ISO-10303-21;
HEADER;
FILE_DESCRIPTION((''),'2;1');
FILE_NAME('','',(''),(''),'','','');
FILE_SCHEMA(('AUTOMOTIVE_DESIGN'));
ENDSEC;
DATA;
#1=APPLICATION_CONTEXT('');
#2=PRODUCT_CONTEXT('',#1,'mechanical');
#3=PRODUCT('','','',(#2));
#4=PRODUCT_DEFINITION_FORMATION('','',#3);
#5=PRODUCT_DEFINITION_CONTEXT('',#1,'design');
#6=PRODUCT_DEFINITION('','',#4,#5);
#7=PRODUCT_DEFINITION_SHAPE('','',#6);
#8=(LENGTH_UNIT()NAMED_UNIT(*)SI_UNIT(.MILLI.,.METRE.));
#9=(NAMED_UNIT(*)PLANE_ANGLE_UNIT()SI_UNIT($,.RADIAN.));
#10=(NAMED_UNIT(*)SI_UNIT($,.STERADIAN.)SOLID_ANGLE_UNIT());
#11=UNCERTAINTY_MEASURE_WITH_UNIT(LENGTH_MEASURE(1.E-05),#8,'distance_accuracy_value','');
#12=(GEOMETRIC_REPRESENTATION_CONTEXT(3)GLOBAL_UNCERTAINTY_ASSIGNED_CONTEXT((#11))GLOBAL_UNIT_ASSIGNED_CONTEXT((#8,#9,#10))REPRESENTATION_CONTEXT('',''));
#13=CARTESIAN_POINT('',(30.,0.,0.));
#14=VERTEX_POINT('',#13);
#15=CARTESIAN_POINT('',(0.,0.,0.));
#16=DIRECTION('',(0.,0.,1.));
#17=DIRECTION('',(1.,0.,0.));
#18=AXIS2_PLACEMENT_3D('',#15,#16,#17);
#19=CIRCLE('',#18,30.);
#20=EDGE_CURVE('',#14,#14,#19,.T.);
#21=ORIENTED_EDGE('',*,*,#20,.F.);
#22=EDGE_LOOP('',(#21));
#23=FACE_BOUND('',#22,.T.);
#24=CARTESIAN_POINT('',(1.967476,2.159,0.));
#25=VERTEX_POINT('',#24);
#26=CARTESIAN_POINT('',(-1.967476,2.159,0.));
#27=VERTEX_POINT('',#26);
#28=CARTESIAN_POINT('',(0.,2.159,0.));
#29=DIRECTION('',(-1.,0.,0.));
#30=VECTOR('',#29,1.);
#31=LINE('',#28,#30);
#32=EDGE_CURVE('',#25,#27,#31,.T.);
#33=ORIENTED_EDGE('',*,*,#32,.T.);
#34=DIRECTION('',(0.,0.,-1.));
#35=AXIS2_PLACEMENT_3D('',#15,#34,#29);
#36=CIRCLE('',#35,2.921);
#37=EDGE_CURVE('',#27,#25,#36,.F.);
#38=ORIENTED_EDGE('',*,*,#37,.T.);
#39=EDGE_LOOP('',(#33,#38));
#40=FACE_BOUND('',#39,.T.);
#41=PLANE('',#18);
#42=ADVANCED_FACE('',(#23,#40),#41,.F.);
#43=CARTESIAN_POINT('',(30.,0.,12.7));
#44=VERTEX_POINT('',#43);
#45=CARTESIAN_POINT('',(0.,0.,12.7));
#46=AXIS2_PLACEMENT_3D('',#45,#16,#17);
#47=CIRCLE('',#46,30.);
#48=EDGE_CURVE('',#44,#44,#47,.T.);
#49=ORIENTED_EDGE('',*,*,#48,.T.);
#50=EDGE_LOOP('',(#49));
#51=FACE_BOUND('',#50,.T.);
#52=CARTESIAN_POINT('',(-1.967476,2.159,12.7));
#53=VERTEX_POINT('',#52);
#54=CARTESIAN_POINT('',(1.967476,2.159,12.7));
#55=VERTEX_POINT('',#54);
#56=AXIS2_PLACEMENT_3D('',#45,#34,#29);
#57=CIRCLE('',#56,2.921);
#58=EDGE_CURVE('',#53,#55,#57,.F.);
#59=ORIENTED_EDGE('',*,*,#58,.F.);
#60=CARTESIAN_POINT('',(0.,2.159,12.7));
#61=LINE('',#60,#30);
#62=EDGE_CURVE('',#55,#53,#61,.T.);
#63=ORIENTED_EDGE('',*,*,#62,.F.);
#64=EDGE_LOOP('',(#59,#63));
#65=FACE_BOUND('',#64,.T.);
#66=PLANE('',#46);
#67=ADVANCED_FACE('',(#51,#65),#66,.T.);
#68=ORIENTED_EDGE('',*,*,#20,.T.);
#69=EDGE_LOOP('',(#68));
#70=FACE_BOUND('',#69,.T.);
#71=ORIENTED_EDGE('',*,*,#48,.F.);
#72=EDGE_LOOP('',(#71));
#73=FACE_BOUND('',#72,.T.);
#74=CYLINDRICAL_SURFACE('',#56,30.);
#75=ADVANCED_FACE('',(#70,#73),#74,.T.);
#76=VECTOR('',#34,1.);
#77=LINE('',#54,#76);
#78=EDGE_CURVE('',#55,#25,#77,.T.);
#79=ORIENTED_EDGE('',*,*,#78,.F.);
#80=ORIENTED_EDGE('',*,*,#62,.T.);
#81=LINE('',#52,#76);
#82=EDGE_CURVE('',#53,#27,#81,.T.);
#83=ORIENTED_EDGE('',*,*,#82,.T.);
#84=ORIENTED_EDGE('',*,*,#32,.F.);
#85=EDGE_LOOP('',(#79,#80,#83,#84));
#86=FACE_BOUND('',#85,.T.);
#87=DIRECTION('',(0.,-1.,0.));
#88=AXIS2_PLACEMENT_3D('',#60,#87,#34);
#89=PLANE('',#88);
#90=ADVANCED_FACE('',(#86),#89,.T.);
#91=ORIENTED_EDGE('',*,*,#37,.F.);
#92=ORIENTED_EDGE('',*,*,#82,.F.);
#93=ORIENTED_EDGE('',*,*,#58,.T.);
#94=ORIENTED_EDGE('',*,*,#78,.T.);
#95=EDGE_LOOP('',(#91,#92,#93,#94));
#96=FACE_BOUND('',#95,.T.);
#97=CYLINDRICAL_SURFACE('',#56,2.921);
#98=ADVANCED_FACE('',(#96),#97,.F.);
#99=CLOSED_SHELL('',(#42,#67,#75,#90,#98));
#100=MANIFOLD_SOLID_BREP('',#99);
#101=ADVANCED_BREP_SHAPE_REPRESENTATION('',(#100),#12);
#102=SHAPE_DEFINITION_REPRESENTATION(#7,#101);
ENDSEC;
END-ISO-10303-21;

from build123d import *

# Parameters (mm, degrees)
SKETCH1_R           = 29.999999944
BOSS_EXTRUDE1_DEPTH = 12.7
CUT_EXTRUDE1_DEPTH  = 45.286453835


with BuildPart() as part:
    # Sketch1 → Boss-Extrude1 (new body)
    with BuildSketch(Plane.XY):
        Circle(SKETCH1_R)
    extrude(amount=BOSS_EXTRUDE1_DEPTH)

    # Sketch2 → Cut-Extrude1 (cut, through all)
    with BuildSketch(Plane(origin=(0, 0, 0), x_dir=(-1, 0, 0), z_dir=(0, 0, -1))):
        with BuildLine():
            ThreePointArc((1.96747554, 2.159), (0, -2.921), (-1.96747554, 2.159))
            Line((-1.96747554, 2.159), (1.96747554, 2.159))
        make_face()
    extrude(amount=-CUT_EXTRUDE1_DEPTH, mode=Mode.SUBTRACT)


solid = part.part
